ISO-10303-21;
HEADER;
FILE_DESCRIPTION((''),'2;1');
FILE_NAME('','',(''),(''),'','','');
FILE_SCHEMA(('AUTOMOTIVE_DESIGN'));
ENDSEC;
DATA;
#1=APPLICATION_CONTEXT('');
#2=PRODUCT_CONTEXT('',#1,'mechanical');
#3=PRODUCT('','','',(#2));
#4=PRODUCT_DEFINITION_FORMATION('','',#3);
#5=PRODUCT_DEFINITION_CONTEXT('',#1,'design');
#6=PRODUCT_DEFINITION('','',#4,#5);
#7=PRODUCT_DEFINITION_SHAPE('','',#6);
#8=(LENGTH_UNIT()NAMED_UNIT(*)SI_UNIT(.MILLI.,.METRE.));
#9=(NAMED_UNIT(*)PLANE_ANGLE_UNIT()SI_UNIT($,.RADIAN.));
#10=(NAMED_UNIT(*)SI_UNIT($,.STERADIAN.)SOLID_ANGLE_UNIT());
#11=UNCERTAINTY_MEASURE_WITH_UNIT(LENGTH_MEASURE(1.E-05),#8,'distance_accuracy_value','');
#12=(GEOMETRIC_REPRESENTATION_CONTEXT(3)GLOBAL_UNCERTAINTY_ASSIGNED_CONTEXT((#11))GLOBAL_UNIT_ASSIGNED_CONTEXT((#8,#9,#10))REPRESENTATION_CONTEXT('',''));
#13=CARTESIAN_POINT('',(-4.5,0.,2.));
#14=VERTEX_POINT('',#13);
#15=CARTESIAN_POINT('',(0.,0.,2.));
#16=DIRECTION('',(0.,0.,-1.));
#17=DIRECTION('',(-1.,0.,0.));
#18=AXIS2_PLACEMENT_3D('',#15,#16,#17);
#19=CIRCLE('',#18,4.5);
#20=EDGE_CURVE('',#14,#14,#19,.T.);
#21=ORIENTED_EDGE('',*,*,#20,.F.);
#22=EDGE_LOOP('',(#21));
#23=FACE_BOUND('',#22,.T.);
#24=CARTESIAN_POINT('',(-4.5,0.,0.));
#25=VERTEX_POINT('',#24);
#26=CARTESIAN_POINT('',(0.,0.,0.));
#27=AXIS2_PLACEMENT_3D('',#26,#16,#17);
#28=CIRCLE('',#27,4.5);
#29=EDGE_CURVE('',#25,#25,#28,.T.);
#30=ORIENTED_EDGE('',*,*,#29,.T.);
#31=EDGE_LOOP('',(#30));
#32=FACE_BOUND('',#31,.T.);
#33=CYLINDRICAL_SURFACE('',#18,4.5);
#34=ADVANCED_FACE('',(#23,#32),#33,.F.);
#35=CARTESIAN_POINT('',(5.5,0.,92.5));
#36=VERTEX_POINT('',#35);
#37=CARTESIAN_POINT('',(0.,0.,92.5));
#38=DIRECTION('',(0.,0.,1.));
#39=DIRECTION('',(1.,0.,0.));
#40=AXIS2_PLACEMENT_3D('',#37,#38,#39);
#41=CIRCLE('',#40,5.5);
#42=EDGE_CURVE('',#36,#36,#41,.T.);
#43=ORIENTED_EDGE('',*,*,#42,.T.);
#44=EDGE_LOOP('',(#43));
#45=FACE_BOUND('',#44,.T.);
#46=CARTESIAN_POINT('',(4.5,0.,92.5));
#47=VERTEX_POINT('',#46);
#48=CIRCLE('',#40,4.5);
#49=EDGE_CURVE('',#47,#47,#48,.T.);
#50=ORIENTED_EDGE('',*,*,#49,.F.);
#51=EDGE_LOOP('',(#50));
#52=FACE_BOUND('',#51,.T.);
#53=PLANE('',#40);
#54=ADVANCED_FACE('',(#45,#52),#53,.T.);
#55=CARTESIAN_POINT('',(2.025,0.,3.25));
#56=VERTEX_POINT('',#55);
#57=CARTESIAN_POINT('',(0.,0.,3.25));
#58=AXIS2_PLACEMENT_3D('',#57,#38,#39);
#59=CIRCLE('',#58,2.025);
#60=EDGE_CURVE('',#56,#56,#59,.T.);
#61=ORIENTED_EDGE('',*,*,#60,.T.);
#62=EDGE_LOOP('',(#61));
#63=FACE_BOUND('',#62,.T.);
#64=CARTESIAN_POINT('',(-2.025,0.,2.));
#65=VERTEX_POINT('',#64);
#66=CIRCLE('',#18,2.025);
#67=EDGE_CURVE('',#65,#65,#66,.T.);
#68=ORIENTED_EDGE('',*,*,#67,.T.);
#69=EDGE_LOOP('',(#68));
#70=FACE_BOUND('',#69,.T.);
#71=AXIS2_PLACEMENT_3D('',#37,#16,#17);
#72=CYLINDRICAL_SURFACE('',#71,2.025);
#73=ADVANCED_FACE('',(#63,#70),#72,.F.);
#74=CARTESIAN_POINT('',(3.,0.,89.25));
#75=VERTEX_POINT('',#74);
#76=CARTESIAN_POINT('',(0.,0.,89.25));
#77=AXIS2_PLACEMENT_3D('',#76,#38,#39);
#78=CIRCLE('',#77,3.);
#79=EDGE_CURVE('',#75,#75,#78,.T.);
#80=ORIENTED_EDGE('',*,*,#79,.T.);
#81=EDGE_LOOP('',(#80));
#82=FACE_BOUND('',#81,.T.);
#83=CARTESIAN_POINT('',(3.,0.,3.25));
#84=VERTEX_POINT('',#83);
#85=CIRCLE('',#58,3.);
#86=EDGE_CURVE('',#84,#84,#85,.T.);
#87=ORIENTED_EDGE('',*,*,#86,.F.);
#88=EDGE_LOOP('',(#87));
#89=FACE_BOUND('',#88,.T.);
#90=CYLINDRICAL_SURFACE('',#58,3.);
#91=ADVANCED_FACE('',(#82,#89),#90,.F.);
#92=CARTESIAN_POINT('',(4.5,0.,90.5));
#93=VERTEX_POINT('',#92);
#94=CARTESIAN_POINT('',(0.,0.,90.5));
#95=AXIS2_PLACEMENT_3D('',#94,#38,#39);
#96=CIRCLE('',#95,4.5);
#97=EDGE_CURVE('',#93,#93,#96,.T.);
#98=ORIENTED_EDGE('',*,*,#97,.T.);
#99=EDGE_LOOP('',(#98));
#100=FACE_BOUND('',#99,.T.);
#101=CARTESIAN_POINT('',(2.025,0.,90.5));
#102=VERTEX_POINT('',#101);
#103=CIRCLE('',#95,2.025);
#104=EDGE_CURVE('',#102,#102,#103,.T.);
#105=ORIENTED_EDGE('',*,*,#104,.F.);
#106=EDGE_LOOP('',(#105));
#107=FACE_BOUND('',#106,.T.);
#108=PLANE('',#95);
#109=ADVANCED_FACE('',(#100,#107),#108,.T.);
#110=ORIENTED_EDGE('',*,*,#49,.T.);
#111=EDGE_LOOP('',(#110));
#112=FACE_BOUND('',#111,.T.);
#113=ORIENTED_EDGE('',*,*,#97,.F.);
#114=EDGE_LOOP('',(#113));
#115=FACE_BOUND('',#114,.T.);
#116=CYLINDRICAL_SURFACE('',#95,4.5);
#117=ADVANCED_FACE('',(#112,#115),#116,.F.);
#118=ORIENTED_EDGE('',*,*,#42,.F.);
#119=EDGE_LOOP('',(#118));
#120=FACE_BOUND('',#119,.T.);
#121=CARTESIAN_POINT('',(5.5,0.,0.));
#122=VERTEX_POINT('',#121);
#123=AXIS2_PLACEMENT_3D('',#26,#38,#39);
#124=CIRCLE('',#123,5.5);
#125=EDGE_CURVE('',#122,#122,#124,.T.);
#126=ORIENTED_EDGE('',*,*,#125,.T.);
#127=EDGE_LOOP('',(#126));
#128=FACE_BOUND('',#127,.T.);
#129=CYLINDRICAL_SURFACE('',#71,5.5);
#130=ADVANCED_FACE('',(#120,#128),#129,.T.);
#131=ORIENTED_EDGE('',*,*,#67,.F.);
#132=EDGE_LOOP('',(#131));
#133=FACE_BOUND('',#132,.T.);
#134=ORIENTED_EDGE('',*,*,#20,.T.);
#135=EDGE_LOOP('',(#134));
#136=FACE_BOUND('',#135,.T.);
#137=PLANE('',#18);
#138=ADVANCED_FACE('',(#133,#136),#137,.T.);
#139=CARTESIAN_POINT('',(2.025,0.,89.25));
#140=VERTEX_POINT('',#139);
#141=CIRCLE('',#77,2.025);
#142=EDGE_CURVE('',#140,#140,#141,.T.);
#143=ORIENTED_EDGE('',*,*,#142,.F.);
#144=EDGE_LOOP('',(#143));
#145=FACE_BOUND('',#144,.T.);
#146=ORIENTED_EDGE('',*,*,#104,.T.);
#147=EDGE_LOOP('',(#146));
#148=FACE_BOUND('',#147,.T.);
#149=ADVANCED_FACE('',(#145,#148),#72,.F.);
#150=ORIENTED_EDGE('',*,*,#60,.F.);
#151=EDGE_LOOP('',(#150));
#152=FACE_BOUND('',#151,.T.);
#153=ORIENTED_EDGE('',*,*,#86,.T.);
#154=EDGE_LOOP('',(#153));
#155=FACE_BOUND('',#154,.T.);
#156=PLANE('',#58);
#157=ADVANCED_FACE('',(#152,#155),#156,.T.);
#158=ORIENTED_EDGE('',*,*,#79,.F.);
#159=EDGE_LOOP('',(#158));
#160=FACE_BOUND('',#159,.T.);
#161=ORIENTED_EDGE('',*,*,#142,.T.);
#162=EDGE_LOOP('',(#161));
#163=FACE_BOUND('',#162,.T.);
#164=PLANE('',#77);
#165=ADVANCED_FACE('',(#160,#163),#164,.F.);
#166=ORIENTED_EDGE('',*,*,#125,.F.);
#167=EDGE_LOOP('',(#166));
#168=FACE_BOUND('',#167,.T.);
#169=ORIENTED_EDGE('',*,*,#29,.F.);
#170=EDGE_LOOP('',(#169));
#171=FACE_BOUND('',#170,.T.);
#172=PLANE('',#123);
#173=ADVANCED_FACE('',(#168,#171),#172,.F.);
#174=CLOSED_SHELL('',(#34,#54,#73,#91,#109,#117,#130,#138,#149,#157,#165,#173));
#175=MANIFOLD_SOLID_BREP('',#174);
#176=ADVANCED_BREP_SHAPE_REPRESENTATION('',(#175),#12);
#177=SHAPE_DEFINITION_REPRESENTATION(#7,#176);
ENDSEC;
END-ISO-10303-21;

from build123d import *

# Parameters (mm, degrees)
SKETCH1_R           = 5.5
SKETCH1_R_2         = 2.025
BOSS_EXTRUDE1_DEPTH = 92.5
SKETCH2_R           = 4.5
CUT_EXTRUDE1_DEPTH  = 2
SKETCH3_R           = 4.5
CUT_EXTRUDE2_DEPTH  = 2
SKETCH4_R           = 3
CUT_EXTRUDE3_DEPTH  = 43


with BuildPart() as part:
    # Sketch1 → Boss-Extrude1 (new body)
    with BuildSketch(Plane.XY):
        Circle(SKETCH1_R)
        Circle(SKETCH1_R_2, mode=Mode.SUBTRACT)
    extrude(amount=BOSS_EXTRUDE1_DEPTH)

    # Sketch2 → Cut-Extrude1 (cut)
    with BuildSketch(Plane.XY.offset(92.5)):
        Circle(SKETCH2_R)
    extrude(amount=-CUT_EXTRUDE1_DEPTH, mode=Mode.SUBTRACT)

    # Sketch3 → Cut-Extrude2 (cut)
    with BuildSketch(Plane(origin=(0, 0, 0), x_dir=(-1, 0, 0), z_dir=(0, 0, -1))):
        Circle(SKETCH3_R)
    extrude(amount=-CUT_EXTRUDE2_DEPTH, mode=Mode.SUBTRACT)

    # Sketch4 → Cut-Extrude3 (cut, symmetric)
    with BuildSketch(Plane.XY.offset(46.25)):
        Circle(SKETCH4_R)
    extrude(amount=CUT_EXTRUDE3_DEPTH, both=True, mode=Mode.SUBTRACT)


solid = part.part
